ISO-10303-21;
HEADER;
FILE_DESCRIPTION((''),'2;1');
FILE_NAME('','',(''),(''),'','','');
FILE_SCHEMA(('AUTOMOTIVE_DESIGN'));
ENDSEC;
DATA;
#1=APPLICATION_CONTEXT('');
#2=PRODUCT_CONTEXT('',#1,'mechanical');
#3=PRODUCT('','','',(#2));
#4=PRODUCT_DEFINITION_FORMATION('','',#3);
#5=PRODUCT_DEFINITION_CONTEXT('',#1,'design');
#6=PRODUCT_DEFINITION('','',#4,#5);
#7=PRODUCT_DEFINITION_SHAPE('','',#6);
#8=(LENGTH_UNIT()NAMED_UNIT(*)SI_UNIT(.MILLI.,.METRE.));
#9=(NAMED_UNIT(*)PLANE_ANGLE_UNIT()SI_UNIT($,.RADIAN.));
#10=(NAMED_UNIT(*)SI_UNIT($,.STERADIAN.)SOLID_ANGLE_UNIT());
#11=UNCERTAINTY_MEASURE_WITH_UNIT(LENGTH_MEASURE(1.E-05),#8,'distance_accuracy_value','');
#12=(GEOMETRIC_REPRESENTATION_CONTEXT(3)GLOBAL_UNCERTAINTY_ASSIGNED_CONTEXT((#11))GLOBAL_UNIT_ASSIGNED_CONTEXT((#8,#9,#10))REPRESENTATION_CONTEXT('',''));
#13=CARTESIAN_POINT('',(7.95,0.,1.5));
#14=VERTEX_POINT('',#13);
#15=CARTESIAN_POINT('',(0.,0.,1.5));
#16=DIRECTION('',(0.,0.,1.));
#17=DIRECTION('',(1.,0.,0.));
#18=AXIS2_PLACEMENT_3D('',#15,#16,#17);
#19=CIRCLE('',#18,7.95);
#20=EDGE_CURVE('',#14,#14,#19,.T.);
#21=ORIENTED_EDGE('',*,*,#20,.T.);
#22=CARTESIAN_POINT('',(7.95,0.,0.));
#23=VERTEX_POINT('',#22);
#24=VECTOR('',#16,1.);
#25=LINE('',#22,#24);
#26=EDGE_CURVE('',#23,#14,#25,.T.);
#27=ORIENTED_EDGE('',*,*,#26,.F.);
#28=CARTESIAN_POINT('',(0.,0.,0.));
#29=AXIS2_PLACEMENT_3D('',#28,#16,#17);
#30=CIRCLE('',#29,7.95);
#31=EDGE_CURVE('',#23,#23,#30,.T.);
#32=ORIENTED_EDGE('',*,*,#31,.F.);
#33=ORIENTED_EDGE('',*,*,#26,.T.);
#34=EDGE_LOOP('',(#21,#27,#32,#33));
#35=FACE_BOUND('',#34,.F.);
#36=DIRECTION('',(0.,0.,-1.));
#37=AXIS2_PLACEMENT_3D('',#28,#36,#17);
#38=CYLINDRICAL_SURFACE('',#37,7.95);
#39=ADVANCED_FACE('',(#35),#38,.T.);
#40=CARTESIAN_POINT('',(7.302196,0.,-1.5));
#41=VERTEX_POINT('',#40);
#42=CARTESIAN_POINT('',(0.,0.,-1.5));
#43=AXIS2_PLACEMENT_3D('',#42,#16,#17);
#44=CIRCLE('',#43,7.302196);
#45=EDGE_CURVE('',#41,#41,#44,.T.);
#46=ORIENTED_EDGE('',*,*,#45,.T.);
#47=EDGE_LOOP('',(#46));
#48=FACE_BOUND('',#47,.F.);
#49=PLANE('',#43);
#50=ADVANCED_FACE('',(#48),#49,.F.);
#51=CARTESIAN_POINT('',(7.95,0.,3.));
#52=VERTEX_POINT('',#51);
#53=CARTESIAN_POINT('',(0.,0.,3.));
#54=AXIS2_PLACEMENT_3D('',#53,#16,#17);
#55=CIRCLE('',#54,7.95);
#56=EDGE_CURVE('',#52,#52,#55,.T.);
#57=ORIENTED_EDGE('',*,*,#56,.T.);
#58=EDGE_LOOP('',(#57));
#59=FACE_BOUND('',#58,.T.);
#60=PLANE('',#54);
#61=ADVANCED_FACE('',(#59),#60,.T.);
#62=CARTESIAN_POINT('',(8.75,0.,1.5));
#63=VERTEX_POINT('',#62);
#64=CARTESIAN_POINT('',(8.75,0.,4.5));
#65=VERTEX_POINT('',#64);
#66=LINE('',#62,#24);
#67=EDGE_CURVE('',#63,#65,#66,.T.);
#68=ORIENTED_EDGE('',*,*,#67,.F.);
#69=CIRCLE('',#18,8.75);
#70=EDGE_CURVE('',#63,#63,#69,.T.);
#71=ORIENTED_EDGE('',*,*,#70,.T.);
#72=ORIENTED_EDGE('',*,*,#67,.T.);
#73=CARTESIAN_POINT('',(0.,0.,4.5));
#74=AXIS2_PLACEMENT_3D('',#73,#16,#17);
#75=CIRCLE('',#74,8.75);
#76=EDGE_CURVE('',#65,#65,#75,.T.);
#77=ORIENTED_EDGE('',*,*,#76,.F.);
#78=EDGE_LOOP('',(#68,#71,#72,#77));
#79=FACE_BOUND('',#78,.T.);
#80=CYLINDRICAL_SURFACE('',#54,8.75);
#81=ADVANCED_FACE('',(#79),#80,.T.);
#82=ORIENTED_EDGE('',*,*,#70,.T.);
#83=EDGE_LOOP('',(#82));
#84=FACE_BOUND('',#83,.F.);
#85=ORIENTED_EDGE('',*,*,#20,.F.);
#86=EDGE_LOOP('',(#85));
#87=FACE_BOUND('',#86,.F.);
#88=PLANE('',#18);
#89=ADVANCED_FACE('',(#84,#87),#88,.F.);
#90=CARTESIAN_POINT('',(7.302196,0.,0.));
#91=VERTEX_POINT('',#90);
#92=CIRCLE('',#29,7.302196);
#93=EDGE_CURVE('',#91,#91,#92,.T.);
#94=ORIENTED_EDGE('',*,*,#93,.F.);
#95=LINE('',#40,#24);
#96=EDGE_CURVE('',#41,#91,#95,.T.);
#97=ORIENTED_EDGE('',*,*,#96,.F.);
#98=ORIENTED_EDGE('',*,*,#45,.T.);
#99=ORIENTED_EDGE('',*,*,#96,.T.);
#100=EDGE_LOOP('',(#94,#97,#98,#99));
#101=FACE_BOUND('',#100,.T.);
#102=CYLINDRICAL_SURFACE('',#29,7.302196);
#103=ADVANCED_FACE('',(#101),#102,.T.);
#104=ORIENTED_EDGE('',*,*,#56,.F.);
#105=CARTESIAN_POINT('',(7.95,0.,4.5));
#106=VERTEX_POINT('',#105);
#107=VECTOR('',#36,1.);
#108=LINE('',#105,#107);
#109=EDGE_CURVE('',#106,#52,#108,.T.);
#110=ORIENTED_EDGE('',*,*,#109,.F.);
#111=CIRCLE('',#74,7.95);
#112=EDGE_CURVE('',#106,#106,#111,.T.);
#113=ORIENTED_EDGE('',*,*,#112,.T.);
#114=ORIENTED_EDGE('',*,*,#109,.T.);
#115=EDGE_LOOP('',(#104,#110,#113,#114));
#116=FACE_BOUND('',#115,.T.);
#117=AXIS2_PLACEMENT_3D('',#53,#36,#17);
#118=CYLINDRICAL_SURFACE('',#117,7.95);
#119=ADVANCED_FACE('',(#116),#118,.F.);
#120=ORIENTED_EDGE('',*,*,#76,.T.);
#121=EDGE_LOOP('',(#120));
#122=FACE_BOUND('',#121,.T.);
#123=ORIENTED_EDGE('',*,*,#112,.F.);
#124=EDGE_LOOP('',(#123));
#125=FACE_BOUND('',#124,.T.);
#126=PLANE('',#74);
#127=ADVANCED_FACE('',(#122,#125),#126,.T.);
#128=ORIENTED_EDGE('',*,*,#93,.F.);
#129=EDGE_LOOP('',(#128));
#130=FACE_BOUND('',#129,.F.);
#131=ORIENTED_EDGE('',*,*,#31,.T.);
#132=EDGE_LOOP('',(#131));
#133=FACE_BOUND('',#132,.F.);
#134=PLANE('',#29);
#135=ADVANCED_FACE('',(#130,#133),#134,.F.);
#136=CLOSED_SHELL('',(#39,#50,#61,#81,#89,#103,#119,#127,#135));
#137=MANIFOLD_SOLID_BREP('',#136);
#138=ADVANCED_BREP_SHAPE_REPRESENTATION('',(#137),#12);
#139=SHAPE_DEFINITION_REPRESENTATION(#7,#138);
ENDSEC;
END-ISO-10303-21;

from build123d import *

# Parameters (mm, degrees)
F0_R     = 7.95
F2_DEPTH = 3
F4_R     = 8.75
F4_R_2   = 7.95
F5_DEPTH = 1.5
F3_R     = 7.302196
F6_DEPTH = 1.5


with BuildPart() as f2:
    # F0 (on Top) → F2 (new body)
    with BuildSketch(Plane.XY):
        Circle(F0_R)
    extrude(amount=F2_DEPTH)

    # F4 (on face) → F5 (join, symmetric)
    with BuildSketch(Plane.XY.offset(3)):
        Circle(F4_R)
        Circle(F4_R_2, mode=Mode.SUBTRACT)
    extrude(amount=F5_DEPTH, both=True)

    # F3 (on Top) → F6 (join, symmetric)
    with BuildSketch(Plane.XY):
        Circle(F3_R)
    extrude(amount=F6_DEPTH, both=True)


solid = f2.part
